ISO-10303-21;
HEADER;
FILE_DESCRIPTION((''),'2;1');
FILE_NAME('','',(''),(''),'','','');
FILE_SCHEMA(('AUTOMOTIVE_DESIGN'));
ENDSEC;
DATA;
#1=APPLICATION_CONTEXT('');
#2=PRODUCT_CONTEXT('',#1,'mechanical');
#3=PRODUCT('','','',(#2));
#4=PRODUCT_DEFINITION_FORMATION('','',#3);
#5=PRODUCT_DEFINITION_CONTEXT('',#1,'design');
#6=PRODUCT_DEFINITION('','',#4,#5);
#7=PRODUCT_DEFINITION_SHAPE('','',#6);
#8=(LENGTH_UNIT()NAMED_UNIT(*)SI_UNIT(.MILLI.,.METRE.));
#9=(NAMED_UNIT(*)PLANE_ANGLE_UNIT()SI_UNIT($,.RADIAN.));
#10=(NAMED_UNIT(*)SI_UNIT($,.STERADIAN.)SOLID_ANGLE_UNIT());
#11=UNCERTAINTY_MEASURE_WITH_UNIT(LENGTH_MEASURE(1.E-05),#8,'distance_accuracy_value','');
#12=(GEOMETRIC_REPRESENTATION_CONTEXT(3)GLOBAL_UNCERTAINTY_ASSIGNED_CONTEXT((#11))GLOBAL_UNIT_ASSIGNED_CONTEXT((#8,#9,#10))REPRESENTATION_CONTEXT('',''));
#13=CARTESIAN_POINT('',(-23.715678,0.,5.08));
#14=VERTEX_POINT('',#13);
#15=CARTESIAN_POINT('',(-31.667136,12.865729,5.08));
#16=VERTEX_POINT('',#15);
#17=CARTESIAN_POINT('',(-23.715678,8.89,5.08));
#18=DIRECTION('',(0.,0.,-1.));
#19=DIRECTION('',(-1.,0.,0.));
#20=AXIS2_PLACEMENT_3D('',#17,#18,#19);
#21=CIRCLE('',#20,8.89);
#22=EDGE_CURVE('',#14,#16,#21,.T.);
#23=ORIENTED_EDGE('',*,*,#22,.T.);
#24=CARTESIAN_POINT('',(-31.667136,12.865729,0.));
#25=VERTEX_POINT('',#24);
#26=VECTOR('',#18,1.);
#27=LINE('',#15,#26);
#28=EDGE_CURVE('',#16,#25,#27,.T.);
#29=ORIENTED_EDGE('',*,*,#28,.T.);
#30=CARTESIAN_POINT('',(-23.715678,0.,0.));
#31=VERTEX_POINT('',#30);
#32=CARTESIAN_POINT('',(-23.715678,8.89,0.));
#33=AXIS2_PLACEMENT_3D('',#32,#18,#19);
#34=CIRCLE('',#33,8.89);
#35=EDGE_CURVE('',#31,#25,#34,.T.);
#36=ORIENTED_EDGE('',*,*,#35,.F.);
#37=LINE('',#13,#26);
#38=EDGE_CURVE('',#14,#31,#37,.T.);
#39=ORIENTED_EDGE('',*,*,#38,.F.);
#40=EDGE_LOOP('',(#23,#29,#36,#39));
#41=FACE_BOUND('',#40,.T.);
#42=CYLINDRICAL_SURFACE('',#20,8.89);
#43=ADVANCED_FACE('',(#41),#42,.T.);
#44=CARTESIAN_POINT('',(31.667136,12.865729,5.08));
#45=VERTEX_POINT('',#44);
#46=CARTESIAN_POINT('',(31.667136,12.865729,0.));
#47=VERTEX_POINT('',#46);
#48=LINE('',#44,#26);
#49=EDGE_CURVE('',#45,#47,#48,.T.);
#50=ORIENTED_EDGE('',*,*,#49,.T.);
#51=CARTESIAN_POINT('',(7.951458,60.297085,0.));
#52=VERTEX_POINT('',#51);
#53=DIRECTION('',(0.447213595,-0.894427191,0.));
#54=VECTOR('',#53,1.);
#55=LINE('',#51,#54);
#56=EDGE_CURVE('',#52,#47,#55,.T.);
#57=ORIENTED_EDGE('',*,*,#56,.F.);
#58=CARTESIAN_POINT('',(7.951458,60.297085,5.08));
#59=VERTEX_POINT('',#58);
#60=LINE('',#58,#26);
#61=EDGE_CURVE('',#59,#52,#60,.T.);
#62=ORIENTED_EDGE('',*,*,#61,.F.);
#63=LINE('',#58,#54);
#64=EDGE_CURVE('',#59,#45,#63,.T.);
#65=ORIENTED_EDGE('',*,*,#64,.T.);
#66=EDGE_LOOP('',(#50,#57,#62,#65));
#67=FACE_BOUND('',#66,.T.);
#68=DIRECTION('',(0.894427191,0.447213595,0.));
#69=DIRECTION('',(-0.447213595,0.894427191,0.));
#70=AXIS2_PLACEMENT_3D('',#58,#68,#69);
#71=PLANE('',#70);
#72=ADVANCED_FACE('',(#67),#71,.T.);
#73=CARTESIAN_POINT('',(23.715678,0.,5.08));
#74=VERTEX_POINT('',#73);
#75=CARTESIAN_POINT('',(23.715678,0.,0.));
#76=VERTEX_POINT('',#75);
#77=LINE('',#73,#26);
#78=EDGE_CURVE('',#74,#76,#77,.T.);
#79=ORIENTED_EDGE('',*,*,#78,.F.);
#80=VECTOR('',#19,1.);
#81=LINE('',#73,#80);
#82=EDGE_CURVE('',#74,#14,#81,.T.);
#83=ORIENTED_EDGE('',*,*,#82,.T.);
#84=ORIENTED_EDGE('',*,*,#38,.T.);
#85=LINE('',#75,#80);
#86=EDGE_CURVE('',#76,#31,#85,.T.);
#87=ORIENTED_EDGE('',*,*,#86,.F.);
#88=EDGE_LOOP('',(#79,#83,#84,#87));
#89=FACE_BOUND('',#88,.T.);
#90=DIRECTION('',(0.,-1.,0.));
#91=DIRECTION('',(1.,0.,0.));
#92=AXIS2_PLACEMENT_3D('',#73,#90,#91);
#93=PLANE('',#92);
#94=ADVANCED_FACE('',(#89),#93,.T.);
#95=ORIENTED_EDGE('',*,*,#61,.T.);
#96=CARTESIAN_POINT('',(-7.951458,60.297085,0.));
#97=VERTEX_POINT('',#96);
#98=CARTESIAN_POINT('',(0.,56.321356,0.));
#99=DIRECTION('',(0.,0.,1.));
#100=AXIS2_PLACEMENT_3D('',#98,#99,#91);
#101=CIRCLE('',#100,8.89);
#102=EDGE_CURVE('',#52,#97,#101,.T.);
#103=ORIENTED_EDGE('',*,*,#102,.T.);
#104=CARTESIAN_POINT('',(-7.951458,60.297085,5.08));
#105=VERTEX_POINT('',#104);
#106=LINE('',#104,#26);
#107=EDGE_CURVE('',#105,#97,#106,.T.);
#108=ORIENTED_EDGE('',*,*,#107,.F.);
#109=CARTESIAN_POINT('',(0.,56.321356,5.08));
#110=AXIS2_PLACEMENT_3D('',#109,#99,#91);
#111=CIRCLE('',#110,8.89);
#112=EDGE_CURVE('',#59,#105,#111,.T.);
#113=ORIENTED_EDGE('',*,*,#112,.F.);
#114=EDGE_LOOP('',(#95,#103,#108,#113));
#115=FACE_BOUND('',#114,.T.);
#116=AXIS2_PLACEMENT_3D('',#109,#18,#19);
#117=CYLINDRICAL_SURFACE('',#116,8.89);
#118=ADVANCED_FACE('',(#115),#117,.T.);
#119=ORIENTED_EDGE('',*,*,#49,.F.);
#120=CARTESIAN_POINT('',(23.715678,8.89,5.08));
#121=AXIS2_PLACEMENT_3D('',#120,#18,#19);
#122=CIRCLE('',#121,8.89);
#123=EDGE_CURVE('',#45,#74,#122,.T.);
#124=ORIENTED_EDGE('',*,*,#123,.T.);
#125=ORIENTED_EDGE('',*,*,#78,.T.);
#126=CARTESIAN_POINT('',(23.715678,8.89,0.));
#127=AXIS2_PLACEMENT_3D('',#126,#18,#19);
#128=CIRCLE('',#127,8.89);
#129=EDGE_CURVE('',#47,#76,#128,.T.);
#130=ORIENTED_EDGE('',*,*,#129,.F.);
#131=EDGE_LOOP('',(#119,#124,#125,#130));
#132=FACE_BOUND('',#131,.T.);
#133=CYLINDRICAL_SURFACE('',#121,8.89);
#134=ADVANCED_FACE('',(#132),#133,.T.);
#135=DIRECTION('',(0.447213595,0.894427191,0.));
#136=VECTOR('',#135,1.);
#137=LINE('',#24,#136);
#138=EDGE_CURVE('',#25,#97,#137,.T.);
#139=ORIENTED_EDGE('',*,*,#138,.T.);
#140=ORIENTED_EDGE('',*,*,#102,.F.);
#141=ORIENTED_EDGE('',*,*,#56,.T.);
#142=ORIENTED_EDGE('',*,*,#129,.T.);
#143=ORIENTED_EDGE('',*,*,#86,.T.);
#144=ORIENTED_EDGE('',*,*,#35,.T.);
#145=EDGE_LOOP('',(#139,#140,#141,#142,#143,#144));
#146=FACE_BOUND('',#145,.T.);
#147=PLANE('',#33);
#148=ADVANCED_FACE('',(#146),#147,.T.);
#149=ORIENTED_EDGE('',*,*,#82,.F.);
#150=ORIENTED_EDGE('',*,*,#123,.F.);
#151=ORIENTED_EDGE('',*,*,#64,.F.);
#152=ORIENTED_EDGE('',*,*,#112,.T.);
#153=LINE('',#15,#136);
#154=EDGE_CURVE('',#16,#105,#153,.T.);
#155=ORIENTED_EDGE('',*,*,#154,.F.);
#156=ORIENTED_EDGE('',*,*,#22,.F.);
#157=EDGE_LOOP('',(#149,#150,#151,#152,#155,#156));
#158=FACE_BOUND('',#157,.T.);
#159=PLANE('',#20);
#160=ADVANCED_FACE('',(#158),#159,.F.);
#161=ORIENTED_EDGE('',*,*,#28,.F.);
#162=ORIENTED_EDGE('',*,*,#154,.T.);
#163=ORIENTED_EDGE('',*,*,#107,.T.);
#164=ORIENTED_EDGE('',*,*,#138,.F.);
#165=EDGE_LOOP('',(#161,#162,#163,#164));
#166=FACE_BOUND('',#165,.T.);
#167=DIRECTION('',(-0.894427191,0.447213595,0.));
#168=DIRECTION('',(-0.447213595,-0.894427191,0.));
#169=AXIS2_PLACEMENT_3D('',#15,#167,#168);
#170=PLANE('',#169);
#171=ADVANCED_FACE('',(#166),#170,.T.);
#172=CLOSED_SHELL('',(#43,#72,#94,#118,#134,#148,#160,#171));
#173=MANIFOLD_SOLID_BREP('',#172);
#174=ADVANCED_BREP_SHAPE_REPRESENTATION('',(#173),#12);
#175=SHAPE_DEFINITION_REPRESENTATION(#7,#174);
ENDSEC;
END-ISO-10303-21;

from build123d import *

# Parameters (mm, degrees)
BOSS_EXTRUDE1_DEPTH = 5.08


with BuildPart() as part:
    # Sketch1 → Boss-Extrude1 (new body)
    with BuildSketch(Plane.XY):
        with BuildLine():
            Line((7.951457728, 60.297084544), (31.667135568, 12.865728864))
            ThreePointArc((31.667135568, 12.865728864), (31.277963526, 4.216250413), (23.71567784, 0))
            Line((23.71567784, 0), (-23.71567784, 0))
            ThreePointArc((-23.71567784, 0), (-31.277963526, 4.216250413), (-31.667135568, 12.865728864))
            Line((-31.667135568, 12.865728864), (-7.951457728, 60.297084544))
            ThreePointArc((-7.951457728, 60.297084544), (0, 65.21135568), (7.951457728, 60.297084544))
        make_face()
    extrude(amount=BOSS_EXTRUDE1_DEPTH)


solid = part.part
